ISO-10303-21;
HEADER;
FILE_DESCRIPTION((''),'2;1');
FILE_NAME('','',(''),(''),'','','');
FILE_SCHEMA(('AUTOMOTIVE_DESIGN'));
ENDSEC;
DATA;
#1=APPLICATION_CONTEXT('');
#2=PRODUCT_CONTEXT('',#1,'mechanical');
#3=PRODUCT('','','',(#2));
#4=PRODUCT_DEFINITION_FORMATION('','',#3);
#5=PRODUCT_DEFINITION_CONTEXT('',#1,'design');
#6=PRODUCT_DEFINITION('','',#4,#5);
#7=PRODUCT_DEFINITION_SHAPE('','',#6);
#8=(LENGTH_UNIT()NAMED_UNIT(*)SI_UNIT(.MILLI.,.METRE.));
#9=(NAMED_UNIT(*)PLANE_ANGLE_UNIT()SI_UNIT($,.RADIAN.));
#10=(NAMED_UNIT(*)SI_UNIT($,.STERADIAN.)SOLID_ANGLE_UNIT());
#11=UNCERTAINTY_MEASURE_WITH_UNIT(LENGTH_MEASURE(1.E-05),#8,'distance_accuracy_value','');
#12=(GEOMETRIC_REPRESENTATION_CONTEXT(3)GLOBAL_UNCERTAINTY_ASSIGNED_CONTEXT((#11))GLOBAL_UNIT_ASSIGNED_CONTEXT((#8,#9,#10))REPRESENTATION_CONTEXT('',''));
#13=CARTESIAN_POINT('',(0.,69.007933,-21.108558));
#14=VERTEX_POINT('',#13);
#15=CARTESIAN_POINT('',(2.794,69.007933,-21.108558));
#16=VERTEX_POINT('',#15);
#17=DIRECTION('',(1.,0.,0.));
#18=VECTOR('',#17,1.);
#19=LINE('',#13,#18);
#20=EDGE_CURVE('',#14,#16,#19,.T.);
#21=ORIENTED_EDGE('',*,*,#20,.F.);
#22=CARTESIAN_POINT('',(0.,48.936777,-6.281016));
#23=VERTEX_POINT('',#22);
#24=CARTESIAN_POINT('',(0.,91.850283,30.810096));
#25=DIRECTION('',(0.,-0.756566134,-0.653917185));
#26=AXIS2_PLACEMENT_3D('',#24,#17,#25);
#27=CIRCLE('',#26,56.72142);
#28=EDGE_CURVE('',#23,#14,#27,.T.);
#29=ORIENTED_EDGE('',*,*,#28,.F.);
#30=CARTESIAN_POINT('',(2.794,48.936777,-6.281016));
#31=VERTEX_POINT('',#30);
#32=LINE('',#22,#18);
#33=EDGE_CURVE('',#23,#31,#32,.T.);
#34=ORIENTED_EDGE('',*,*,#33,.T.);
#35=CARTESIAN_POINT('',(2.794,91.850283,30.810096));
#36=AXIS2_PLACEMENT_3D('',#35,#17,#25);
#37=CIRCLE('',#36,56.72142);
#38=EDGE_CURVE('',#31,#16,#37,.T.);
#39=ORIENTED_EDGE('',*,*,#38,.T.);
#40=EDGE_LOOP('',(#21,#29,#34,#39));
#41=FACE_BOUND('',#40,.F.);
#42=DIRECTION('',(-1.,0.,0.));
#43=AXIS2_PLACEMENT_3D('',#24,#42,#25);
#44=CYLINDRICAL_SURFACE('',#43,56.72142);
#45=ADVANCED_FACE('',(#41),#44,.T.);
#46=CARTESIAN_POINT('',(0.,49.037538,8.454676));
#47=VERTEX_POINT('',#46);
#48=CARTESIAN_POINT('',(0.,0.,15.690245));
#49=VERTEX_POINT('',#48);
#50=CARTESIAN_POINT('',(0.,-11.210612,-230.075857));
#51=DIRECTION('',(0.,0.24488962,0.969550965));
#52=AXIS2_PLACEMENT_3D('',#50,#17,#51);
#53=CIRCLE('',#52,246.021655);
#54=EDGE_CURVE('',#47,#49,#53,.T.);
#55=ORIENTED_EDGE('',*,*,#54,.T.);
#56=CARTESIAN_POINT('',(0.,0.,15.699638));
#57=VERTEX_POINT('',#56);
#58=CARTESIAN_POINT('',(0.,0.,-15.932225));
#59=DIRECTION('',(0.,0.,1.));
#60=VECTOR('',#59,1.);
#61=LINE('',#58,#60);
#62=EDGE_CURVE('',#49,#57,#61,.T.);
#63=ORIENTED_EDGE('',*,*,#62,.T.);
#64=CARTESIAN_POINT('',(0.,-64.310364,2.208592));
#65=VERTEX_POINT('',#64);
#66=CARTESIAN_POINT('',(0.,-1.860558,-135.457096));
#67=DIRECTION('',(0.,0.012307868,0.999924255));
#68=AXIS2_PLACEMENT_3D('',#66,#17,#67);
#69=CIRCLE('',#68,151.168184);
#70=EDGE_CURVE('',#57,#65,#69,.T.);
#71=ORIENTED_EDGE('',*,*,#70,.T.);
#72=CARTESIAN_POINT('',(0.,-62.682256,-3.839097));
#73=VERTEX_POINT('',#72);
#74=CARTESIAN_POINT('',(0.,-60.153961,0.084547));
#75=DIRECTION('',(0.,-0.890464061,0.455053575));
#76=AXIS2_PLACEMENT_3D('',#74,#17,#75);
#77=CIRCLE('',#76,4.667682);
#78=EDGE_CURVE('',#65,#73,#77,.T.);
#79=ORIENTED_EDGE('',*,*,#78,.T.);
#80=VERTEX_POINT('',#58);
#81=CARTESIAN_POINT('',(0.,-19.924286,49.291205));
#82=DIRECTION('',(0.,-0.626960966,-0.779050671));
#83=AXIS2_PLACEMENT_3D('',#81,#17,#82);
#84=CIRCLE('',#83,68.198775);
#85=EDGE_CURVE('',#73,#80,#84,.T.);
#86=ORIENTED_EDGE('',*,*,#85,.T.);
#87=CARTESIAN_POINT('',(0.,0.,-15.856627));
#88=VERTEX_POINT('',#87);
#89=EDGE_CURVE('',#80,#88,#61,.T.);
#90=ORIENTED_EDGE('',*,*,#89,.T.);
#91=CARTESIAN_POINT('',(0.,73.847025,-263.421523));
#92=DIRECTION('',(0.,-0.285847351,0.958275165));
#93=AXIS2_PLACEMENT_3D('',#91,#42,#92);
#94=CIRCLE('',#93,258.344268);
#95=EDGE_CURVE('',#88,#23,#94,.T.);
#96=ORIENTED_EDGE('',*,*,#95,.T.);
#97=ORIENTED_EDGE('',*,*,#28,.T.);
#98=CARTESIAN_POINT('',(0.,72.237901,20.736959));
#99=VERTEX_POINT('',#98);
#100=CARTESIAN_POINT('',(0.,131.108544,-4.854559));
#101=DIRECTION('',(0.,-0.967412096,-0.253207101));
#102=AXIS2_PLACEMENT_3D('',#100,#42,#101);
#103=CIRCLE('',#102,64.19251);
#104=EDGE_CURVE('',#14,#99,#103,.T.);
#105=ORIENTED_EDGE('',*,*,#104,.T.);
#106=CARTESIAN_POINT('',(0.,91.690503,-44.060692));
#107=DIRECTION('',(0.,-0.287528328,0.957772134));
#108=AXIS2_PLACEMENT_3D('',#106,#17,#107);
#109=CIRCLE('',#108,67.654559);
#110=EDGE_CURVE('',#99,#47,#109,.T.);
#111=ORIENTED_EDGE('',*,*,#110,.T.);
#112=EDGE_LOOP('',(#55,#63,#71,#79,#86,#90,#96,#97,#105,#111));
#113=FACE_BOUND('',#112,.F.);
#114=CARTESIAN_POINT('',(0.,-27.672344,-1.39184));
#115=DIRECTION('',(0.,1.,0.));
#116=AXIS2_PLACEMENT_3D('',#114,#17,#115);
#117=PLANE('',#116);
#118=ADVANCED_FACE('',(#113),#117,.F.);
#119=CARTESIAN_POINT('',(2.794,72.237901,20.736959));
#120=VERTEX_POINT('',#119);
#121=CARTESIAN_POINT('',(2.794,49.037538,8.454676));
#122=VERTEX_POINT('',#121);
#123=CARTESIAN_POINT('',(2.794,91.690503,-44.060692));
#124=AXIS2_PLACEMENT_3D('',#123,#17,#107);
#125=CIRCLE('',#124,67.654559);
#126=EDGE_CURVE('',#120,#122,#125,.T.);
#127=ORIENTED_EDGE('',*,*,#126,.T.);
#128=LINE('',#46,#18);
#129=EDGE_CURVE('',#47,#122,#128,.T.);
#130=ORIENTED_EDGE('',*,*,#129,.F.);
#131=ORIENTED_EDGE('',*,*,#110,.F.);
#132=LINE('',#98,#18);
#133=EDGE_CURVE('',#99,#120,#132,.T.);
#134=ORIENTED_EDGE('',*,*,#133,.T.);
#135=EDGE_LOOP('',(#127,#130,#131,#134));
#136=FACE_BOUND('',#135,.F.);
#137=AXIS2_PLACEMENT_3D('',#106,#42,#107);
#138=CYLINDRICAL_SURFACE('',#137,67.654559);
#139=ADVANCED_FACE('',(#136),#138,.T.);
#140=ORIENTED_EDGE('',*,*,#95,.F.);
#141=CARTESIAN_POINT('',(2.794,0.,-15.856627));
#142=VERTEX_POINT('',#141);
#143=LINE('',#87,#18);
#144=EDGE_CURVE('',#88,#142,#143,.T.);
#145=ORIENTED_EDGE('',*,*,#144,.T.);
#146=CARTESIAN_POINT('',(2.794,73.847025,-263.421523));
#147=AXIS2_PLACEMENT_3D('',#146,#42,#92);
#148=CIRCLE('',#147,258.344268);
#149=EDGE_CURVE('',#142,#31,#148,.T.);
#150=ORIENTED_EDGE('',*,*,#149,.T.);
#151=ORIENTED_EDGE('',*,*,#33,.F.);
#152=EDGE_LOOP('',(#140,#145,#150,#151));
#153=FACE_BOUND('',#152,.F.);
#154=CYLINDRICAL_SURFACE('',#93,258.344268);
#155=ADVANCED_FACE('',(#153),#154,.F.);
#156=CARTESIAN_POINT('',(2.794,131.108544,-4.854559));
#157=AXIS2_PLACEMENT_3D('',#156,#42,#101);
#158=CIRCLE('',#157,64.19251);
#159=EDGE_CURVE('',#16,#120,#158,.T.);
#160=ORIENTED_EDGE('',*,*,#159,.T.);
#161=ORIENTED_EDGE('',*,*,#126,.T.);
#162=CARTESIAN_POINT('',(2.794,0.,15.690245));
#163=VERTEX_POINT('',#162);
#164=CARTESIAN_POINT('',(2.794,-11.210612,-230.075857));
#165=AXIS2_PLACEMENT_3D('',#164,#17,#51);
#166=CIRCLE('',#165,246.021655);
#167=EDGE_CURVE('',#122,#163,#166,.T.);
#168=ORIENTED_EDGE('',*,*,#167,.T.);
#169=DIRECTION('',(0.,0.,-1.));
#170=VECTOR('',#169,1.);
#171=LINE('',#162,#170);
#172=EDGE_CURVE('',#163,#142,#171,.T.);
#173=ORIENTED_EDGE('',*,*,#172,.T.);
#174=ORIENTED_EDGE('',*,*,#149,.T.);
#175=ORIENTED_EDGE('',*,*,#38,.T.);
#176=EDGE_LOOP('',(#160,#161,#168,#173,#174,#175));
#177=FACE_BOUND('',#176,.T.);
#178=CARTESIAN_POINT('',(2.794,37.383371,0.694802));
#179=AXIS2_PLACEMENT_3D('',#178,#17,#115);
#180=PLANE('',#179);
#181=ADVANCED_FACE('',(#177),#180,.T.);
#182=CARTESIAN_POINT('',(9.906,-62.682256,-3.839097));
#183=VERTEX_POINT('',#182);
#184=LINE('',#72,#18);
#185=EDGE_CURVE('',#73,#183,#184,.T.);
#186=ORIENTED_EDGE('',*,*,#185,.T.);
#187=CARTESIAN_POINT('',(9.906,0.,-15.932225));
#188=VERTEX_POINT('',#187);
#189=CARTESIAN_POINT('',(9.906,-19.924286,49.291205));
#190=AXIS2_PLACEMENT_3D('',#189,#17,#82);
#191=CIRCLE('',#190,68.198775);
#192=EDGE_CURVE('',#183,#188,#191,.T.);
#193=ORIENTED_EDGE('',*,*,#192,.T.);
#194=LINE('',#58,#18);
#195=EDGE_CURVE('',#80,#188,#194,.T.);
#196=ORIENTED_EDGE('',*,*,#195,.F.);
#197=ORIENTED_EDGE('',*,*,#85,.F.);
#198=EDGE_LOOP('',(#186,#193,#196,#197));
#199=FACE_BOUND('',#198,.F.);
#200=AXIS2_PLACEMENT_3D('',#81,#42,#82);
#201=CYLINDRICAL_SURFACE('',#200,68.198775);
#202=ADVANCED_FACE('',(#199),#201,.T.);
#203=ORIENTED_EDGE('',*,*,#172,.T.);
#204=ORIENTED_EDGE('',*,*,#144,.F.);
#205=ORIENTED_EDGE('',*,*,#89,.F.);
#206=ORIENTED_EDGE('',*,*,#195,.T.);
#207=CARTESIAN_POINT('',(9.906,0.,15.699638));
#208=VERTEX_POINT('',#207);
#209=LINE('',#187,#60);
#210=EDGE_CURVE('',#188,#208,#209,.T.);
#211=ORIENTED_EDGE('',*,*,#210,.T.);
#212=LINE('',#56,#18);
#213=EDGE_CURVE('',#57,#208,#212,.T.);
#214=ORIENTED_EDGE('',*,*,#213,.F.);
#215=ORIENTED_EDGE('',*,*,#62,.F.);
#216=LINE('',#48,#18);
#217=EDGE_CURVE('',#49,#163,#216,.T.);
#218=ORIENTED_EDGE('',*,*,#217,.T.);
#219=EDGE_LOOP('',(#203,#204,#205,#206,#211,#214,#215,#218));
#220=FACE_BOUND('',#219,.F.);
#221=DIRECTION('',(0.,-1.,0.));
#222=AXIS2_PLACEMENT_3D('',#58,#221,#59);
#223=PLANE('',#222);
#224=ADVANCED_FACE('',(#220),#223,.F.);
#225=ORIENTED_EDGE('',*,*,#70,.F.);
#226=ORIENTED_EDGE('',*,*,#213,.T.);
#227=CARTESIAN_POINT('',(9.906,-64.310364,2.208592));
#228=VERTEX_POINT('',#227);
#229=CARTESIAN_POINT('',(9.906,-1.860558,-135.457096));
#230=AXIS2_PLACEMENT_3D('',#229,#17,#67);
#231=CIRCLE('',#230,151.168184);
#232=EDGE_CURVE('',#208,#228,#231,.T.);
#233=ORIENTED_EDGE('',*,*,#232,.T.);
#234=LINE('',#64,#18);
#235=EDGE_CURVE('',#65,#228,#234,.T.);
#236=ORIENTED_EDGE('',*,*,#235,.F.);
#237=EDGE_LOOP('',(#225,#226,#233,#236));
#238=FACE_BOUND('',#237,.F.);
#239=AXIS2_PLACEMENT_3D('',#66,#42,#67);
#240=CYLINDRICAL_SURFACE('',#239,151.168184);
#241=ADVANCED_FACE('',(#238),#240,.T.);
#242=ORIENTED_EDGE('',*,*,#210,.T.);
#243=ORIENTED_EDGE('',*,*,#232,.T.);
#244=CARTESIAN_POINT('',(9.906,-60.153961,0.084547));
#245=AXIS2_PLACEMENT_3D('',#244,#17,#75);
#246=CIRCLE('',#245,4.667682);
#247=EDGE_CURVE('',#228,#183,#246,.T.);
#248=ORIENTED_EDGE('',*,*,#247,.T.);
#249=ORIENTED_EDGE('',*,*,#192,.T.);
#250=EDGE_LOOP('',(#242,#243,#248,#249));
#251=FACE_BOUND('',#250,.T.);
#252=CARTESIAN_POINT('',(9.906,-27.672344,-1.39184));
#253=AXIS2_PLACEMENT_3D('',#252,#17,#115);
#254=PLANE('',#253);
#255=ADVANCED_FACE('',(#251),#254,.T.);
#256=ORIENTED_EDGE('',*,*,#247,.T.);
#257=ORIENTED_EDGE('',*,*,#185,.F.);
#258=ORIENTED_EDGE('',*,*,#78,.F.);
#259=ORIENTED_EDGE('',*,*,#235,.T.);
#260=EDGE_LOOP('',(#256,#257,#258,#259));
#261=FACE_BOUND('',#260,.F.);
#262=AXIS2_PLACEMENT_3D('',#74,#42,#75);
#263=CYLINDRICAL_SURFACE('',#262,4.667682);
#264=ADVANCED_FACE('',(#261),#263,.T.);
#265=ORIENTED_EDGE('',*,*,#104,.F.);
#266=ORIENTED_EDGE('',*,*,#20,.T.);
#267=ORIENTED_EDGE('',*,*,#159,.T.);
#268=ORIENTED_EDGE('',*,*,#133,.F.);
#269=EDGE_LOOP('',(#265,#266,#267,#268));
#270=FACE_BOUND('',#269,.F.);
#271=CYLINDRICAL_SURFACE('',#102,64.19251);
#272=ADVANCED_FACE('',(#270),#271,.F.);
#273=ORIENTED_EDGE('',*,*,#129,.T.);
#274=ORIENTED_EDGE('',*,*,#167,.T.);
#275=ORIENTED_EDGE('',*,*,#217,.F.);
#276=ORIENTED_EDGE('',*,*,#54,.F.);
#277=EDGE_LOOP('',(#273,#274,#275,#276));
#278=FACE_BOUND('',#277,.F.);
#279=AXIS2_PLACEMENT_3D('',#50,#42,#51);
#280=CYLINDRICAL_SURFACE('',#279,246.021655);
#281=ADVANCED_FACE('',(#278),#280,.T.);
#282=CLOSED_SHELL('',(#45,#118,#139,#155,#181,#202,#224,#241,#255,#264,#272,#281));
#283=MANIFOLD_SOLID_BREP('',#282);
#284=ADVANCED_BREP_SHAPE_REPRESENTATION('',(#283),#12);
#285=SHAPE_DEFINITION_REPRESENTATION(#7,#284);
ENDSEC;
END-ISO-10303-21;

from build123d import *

# Parameters (mm, degrees)
F1_DEPTH = 9.906
F3_DEPTH = 2.794


with BuildPart() as f1:
    # F0 (on Right) → F1 (new body)
    with BuildSketch(Plane.YZ):
        with BuildLine():
            Line((0, -15.932225), (0, 15.699638))
            ThreePointArc((0, 15.699638), (-32.89709, 12.490711), (-64.310364, 2.208592))
            ThreePointArc((-64.310364, 2.208592), (-64.66117, -1.128846), (-62.682256, -3.839097))
            ThreePointArc((-62.682256, -3.839097), (-32.843466, -17.672724), (0, -15.932225))
        make_face()
    extrude(amount=F1_DEPTH)

    # F2 (on Right) → F3 (join)
    with BuildSketch(Plane.YZ):
        with BuildLine():
            ThreePointArc((72.237901, 20.736959), (60.036294, 15.731869), (49.037538, 8.454676))
            ThreePointArc((49.037538, 8.454676), (24.701462, 13.310621), (0, 15.690245))
            Line((0, 15.690245), (0, -15.856627))
            ThreePointArc((0, -15.856627), (24.236816, -9.885356), (48.936777, -6.281016))
            ThreePointArc((48.936777, -6.281016), (58.146839, -14.812239), (69.007933, -21.108558))
            ThreePointArc((69.007933, -21.108558), (67.106412, 0.085632), (72.237901, 20.736959))
        make_face()
    extrude(amount=F3_DEPTH)


solid = f1.part
